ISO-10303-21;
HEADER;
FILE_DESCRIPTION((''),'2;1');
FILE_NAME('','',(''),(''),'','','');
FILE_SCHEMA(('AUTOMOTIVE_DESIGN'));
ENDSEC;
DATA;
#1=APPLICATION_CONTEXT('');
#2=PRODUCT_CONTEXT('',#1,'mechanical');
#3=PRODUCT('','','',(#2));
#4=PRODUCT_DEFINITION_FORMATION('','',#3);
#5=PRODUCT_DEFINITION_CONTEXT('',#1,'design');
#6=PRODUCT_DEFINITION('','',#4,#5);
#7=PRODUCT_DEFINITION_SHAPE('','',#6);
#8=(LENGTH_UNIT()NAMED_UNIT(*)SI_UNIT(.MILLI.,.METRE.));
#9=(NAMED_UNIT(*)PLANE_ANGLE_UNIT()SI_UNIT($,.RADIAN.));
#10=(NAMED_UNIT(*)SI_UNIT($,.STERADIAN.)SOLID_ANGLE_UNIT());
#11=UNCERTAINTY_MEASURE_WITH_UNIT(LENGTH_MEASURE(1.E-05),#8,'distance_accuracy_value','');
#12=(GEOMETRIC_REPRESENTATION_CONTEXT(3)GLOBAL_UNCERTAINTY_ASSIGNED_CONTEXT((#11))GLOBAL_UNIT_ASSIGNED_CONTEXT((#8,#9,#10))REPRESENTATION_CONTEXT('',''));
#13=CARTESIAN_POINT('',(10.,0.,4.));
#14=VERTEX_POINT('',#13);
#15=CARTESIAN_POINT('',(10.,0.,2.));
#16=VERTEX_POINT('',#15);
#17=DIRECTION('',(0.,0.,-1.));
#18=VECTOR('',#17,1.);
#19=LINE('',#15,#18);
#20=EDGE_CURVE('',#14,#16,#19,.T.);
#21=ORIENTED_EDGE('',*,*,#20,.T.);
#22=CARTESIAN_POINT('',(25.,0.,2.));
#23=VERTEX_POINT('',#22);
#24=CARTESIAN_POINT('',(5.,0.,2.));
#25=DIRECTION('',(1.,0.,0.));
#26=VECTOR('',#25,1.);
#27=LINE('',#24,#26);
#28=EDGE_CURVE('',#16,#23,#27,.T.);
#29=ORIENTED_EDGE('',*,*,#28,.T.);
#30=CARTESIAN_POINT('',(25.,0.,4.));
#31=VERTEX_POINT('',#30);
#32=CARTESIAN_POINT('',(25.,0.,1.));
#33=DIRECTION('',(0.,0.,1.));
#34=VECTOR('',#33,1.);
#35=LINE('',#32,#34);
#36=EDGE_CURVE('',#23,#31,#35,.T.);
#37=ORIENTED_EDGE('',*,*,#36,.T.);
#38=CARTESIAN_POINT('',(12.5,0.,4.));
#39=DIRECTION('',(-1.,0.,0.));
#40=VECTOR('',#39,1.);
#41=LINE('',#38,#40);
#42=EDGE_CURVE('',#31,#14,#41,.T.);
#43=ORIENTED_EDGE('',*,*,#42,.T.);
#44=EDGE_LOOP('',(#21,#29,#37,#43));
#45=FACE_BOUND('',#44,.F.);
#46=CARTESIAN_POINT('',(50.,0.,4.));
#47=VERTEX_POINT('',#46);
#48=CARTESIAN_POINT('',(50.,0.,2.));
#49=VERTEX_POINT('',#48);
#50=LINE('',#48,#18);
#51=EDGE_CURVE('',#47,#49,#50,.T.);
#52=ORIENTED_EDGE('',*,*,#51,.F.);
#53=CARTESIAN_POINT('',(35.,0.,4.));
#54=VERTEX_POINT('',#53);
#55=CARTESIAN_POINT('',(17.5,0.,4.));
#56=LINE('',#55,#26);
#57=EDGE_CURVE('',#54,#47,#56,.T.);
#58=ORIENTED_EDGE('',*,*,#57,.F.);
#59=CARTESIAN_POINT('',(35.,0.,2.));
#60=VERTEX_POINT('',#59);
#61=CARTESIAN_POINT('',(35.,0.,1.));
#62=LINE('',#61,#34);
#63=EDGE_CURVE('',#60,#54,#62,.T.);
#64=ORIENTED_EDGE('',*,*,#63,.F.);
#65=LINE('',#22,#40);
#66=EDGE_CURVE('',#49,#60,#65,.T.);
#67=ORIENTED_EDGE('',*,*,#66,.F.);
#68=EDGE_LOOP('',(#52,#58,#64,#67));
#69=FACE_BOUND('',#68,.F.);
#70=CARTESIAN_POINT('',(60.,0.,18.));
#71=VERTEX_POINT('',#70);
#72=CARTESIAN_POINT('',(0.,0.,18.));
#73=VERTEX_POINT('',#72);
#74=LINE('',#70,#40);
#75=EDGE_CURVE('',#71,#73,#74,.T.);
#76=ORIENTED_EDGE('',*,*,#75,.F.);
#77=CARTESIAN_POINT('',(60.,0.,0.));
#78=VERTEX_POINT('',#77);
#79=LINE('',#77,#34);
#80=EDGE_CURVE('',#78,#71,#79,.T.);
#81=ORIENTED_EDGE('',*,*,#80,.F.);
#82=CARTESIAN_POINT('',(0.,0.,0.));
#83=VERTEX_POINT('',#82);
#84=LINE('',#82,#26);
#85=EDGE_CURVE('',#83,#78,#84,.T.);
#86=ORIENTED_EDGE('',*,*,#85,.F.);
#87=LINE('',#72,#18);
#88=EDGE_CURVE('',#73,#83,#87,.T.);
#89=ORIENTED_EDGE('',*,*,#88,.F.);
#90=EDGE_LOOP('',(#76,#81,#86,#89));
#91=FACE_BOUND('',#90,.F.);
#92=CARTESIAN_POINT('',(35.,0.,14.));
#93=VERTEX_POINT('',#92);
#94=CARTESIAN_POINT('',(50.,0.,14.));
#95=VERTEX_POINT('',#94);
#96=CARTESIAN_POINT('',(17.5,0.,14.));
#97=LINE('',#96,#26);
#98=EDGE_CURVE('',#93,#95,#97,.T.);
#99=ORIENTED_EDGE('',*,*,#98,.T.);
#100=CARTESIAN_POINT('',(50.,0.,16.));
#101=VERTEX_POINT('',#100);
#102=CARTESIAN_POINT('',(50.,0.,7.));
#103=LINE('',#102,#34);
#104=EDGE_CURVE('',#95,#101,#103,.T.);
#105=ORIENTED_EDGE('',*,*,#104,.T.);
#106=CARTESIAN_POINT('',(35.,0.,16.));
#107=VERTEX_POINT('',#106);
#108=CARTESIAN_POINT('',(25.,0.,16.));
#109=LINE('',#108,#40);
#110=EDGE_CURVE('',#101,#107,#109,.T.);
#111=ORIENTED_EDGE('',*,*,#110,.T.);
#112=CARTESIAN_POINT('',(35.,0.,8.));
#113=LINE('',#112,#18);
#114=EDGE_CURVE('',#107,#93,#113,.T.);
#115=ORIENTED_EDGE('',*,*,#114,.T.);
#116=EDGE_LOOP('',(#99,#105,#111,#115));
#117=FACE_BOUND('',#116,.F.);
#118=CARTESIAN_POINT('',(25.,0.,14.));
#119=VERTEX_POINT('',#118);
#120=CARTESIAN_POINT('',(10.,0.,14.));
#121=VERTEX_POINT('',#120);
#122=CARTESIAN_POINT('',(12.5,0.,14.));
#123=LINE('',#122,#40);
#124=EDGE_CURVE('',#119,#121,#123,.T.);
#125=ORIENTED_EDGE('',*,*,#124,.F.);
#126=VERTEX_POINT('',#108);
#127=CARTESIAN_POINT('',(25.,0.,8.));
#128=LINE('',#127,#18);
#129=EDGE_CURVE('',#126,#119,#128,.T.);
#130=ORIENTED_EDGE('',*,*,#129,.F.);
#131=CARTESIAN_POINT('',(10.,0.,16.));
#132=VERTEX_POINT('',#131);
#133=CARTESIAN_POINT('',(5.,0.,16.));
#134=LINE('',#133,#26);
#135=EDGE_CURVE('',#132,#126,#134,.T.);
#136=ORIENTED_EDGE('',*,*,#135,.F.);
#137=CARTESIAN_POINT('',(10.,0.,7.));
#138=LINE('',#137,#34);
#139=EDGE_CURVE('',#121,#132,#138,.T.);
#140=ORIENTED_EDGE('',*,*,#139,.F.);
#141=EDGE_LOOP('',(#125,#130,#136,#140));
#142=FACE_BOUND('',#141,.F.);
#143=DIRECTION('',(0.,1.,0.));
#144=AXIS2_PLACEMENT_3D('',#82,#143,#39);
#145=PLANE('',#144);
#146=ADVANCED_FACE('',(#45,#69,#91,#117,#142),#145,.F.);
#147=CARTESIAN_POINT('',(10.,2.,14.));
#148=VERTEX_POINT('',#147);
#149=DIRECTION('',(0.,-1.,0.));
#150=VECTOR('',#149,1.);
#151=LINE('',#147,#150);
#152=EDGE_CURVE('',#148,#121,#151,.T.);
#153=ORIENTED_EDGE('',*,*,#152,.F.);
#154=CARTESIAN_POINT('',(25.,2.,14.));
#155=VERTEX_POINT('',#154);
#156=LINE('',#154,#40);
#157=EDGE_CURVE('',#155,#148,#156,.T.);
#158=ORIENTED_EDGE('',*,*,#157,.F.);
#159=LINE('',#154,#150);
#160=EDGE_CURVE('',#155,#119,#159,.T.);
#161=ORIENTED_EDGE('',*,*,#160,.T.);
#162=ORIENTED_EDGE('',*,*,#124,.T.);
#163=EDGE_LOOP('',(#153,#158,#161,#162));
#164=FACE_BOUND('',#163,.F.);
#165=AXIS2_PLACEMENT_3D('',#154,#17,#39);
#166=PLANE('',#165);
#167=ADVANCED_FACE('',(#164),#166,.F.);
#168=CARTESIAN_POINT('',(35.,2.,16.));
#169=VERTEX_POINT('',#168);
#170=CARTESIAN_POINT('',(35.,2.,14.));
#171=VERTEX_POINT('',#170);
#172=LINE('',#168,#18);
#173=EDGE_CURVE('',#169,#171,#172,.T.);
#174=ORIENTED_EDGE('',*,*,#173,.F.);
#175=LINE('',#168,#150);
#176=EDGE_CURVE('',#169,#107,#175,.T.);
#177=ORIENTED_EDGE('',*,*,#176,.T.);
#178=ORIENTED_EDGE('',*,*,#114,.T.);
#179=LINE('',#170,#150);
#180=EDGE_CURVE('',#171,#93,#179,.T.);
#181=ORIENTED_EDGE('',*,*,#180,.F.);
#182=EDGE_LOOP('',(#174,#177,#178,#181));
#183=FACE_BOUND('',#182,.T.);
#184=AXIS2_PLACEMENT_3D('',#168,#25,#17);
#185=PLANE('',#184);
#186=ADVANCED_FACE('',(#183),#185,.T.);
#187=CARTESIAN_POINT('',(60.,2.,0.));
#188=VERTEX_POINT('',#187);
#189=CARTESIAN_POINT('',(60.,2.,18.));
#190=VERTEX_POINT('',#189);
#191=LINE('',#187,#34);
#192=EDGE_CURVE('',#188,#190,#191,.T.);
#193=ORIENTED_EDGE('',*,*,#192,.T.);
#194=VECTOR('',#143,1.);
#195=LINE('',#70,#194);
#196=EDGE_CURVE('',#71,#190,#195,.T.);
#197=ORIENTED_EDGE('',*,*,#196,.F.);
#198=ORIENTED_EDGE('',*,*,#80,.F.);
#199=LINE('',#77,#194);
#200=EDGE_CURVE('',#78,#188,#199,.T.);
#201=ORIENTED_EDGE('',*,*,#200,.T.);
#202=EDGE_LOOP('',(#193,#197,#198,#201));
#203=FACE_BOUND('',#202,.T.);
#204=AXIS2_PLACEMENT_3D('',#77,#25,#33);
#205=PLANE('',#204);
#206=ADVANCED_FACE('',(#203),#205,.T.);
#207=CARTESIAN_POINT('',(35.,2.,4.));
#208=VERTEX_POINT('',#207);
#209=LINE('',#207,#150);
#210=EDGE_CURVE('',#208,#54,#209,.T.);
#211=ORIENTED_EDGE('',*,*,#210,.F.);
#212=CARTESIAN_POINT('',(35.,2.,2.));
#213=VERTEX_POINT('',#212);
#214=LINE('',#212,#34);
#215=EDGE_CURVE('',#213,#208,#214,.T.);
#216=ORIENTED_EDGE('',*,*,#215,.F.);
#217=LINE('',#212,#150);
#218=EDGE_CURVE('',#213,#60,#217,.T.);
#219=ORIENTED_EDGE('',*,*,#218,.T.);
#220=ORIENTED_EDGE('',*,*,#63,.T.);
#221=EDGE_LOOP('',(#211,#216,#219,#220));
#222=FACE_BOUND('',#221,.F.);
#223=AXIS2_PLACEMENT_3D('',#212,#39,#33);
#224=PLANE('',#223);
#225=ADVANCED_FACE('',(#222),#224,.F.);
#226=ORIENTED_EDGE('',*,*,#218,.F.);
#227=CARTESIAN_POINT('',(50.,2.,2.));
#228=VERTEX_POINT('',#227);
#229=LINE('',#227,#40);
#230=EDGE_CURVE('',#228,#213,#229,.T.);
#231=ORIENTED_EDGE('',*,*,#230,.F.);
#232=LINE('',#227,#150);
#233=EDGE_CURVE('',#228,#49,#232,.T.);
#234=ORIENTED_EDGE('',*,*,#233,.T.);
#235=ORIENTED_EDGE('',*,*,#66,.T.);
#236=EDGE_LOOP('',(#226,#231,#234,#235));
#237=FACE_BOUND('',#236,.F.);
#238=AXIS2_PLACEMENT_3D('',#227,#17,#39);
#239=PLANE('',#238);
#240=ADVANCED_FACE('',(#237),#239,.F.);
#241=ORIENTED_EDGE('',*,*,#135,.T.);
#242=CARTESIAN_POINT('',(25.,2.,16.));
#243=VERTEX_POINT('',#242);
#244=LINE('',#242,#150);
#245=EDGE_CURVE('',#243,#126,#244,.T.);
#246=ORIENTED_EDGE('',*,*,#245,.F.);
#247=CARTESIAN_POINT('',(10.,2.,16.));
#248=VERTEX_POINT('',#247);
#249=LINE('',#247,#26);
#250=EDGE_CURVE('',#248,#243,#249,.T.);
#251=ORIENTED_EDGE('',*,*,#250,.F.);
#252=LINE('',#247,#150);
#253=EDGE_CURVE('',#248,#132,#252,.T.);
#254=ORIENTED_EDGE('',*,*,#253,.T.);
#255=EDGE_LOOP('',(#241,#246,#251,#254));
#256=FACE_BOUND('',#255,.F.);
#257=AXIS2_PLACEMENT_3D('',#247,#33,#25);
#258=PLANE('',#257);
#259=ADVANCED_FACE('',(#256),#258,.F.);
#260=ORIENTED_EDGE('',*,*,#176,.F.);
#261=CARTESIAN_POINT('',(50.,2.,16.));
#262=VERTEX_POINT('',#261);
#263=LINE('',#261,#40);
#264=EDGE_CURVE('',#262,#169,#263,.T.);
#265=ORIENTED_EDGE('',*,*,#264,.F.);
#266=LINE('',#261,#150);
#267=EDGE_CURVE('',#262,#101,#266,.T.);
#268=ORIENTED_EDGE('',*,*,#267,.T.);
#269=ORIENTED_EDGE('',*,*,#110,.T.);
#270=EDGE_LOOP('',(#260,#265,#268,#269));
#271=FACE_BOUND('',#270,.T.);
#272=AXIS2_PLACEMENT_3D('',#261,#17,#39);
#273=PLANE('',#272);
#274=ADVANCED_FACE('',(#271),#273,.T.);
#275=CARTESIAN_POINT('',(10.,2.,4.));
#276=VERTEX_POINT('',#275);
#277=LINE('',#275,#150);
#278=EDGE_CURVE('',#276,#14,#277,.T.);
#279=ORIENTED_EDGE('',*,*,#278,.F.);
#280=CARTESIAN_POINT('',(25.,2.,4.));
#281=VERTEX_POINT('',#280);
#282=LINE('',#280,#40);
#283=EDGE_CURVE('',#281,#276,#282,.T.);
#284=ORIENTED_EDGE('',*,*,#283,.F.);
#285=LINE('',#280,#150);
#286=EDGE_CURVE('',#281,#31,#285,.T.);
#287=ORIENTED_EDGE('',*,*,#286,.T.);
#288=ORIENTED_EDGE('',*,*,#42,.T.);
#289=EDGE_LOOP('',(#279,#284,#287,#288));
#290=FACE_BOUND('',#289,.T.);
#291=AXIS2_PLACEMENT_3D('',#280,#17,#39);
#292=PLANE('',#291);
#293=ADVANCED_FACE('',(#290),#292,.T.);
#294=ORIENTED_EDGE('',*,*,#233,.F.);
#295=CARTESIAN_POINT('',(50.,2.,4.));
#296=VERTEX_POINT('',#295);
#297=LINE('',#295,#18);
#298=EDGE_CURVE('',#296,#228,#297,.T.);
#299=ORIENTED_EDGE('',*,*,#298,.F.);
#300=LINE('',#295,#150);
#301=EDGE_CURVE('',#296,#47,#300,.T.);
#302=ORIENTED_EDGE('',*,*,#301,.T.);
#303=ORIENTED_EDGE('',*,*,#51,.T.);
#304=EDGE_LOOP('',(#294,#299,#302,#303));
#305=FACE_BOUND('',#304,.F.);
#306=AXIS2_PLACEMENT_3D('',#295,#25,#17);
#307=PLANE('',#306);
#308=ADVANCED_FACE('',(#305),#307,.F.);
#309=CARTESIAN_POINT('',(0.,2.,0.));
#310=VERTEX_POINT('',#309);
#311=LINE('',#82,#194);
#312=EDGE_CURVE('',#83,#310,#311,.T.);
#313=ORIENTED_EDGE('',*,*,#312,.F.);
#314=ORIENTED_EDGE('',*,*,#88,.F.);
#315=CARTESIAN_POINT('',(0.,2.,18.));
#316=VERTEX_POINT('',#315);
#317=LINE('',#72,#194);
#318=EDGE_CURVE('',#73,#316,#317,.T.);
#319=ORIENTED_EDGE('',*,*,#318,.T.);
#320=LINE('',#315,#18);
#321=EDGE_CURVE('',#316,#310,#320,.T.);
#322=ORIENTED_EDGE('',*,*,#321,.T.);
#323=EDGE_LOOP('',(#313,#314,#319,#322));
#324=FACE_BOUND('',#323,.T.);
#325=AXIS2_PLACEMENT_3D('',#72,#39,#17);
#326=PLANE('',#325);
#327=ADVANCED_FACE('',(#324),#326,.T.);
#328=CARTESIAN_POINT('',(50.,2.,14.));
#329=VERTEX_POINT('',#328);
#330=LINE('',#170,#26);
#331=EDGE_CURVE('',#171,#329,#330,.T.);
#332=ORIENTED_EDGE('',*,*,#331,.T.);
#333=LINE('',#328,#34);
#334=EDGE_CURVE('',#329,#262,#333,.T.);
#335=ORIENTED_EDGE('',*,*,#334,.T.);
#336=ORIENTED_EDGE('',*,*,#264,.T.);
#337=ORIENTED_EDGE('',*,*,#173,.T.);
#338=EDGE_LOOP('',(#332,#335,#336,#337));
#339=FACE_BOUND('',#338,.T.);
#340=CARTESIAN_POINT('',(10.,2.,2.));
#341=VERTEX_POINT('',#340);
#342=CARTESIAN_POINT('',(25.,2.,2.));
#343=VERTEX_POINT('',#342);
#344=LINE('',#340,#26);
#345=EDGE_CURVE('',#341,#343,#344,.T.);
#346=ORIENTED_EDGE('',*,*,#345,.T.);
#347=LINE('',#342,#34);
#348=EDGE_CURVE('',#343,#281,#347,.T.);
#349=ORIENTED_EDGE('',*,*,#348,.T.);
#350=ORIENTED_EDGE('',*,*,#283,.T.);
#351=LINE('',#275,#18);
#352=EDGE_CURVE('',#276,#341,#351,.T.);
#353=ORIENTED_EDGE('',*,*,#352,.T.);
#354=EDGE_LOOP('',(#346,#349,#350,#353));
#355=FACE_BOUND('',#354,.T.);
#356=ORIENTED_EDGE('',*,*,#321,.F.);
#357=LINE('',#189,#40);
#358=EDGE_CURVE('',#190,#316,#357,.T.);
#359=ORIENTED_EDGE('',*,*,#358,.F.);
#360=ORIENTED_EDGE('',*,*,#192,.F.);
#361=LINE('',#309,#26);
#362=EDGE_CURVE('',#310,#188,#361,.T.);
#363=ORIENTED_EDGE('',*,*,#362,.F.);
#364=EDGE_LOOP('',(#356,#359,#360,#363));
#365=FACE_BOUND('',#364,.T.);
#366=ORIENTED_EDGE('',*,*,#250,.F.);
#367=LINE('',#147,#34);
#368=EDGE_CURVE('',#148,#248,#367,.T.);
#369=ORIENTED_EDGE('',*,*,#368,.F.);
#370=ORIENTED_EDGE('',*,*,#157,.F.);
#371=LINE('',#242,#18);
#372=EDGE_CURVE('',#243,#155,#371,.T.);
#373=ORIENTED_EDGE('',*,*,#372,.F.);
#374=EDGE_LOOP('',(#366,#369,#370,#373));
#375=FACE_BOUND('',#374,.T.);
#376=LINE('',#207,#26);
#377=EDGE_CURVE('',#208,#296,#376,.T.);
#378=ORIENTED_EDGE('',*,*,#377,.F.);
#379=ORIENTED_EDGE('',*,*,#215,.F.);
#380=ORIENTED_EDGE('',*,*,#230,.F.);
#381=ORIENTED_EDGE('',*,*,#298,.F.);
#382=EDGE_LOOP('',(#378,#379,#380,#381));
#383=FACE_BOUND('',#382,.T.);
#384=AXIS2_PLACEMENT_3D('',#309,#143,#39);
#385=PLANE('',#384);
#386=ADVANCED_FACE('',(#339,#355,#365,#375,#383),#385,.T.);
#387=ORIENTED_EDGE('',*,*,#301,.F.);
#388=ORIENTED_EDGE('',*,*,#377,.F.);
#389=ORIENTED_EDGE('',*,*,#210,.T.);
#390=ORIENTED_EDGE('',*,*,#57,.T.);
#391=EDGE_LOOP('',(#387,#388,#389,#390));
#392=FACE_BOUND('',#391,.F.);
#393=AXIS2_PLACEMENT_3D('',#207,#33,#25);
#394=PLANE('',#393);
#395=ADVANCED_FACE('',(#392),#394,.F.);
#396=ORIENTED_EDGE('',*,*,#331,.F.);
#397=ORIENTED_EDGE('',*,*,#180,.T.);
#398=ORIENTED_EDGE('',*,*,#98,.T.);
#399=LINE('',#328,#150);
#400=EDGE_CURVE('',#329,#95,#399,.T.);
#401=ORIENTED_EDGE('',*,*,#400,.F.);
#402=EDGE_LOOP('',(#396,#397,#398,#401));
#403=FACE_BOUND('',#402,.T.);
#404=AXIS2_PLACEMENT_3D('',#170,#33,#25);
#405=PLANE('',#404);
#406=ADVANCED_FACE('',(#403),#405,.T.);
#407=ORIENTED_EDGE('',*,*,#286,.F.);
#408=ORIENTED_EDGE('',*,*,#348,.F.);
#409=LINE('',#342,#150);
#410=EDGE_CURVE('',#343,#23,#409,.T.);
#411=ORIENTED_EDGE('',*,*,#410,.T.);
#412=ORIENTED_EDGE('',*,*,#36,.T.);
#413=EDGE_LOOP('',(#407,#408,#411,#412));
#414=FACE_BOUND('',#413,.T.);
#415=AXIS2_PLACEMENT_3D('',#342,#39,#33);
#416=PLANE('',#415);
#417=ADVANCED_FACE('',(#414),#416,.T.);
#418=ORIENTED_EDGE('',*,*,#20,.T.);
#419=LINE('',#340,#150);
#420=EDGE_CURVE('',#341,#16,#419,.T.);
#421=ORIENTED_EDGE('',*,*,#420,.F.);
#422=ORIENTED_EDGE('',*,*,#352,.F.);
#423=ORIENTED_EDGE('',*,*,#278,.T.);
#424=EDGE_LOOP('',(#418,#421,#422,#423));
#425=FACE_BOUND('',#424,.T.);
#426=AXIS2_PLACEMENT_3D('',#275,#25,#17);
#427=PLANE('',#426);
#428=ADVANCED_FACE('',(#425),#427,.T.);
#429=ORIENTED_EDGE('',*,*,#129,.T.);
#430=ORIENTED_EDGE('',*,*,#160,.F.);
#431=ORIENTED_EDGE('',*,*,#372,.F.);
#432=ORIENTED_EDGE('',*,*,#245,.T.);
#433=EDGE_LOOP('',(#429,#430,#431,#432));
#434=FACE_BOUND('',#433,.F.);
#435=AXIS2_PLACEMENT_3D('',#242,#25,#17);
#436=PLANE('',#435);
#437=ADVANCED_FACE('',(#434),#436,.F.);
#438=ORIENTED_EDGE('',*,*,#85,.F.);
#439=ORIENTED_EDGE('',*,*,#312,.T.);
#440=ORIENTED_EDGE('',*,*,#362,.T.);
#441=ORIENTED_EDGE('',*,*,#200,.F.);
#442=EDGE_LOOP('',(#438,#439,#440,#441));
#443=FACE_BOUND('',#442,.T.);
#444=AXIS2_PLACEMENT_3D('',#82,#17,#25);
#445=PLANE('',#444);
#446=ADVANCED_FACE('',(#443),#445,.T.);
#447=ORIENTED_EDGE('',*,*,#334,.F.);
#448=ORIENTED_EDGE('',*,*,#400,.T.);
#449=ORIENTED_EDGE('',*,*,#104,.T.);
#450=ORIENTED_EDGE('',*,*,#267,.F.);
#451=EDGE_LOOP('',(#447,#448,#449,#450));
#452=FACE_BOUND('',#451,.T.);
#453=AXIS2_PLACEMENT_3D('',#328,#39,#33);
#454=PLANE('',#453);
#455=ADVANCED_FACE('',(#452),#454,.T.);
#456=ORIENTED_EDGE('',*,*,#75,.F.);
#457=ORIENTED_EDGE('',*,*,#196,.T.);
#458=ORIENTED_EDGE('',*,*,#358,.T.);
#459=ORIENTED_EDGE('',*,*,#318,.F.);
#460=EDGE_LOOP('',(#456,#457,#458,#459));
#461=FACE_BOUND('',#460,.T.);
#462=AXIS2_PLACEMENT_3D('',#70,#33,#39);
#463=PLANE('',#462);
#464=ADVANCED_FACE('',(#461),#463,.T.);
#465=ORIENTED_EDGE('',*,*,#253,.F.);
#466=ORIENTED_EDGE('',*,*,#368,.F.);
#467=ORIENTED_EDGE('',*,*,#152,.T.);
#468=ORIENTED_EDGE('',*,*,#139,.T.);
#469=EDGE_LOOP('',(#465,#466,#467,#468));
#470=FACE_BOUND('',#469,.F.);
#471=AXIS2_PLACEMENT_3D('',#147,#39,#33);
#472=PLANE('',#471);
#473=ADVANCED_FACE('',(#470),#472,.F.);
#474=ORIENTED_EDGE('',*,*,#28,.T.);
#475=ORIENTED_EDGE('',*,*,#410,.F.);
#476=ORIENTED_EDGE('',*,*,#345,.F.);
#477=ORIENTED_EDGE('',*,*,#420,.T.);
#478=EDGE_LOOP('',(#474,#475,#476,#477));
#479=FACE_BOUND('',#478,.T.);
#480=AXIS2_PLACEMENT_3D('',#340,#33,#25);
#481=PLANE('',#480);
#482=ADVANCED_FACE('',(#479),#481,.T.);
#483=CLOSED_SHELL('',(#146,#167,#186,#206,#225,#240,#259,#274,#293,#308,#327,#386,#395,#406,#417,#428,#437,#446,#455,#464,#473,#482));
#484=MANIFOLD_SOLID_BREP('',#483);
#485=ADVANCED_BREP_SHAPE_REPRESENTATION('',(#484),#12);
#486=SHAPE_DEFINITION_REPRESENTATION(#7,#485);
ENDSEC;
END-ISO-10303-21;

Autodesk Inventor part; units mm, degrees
ref_plane "YZ Plane" through (0, 0, 0) normal (1, 0, 0) x (0, 1, 0)
ref_plane "XZ Plane" through (0, 0, 0) normal (0, 1, 0) x (-1, 0, 0)
ref_plane "XY Plane" through (0, 0, 0) normal (0, 0, 1) x (1, 0, 0)
sketch "Sketch1" plane through (0, 0, 0) normal (0, 1, 0) x (-1, 0, 0)
  line L0 (0, 0) -> (-60, 0)
  line L1 (-60, 0) -> (-60, 18)
  line L2 (-60, 18) -> (0, 18)
  line L3 (0, 18) -> (0, 0)
  dimension "d0" = 60
  dimension "d1" = 18
extrude "Extrusion1" add sketch "Sketch1" along normal blind 2
sketch "Sketch3" plane through (0, 2, 0) normal (0, 1, 0) x (1, 0, 0)
  line L0 (10, -16) -> (25, -16)
  line L1 (25, -16) -> (25, -14)
  line L2 (25, -14) -> (10, -14)
  line L3 (10, -14) -> (10, -16)
  line L4 (10, -2) -> (25, -2)
  line L5 (25, -2) -> (25, -4)
  line L6 (25, -4) -> (10, -4)
  line L7 (10, -4) -> (10, -2)
  line L8 (60, 0) -> (0, 0) projected
  line L9 (0, 0) -> (0, -18) projected
  line L10 (0, -18) -> (60, -18) projected
  line L11 (60, -18) -> (60, 0) projected
  line L12 (30, 6.382) -> (30, -24.5999) construction
  line L13 (50, -16) -> (35, -16)
  line L14 (35, -16) -> (35, -14)
  line L15 (35, -14) -> (50, -14)
  line L16 (50, -14) -> (50, -16)
  line L17 (50, -2) -> (35, -2)
  line L18 (35, -2) -> (35, -4)
  line L19 (35, -4) -> (50, -4)
  line L20 (50, -4) -> (50, -2)
  dimension "d13" = 15
  dimension "d14" = 2
  dimension "d15" = 15
  dimension "d16" = 2
  dimension "d17" = 10
  dimension "d18" = 0
  dimension "d19" = 2
  dimension "d20" = 10
  dimension "d21" = 10
extrude "Extrusion3" cut sketch "Sketch3" against normal through all contours L3 L2 L1 L0 | L4 L5 L6 L7 | L13 L14 L15 L16 | L20 L19 L18 L17
properties part number "Mounting_base"
